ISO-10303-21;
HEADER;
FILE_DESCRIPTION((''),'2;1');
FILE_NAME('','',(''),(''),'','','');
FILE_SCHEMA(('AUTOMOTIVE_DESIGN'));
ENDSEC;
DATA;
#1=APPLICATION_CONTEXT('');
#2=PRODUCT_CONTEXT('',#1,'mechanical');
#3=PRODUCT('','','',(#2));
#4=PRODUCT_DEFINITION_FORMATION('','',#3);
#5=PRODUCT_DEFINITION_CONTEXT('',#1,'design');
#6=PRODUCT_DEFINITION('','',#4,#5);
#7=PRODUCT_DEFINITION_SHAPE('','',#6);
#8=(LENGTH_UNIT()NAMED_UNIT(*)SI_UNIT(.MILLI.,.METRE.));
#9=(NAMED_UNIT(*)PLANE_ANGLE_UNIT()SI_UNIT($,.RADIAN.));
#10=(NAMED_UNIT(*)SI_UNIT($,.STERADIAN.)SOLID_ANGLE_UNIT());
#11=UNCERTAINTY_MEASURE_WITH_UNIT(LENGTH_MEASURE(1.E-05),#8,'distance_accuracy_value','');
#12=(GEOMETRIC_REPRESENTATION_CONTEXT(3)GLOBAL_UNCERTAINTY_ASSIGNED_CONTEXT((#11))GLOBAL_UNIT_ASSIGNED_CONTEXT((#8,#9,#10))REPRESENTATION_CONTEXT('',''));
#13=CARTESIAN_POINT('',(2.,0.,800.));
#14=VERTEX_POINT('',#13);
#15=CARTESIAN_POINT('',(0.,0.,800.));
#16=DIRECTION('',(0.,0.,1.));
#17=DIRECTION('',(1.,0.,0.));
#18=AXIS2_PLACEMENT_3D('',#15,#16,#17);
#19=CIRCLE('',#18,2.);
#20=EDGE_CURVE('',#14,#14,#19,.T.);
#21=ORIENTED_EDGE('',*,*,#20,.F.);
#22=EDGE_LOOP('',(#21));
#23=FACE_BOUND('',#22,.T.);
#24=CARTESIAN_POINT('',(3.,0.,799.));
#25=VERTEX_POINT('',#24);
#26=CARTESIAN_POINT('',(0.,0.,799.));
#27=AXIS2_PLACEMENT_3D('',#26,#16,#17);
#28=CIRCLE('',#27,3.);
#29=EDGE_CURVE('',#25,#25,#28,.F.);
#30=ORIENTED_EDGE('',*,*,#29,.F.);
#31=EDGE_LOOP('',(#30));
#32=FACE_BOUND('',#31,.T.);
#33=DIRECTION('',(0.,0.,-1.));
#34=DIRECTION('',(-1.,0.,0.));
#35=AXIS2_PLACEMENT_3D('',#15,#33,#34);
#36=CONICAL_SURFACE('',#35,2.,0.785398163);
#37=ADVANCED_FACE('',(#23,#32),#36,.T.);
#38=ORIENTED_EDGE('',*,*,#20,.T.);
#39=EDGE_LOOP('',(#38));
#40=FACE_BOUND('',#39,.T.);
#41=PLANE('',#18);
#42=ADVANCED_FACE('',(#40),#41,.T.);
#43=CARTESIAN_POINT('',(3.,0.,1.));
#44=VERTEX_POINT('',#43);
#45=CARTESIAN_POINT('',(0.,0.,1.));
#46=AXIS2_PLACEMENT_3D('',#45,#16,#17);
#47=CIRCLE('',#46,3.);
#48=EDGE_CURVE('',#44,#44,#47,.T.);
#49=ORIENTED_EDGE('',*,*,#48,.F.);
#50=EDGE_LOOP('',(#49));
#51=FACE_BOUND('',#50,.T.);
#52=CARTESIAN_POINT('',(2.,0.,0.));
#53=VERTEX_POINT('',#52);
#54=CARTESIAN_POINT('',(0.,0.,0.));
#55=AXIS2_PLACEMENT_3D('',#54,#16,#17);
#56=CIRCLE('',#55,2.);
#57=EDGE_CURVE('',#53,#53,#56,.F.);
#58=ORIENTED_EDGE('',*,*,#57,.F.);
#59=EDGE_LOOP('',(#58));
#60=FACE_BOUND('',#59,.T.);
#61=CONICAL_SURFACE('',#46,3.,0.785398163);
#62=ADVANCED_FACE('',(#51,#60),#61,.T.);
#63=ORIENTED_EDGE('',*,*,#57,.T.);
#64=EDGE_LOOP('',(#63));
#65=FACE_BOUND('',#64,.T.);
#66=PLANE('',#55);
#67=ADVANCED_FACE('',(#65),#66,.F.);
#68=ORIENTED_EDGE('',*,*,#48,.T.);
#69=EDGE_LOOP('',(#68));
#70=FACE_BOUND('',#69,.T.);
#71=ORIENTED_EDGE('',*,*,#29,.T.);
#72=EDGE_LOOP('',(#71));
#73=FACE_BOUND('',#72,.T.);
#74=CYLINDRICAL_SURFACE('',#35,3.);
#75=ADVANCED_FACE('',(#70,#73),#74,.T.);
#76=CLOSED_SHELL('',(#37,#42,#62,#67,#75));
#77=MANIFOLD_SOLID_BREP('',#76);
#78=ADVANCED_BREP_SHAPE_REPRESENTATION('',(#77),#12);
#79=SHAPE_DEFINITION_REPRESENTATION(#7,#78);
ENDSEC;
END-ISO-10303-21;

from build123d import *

# Parameters (mm, degrees)
IZIM1_R                     = 3
Y_KSEKLIK_EKSTR_ZYON1_DEPTH = 800
PAH1_SIZE                   = 1


with BuildPart() as part:
    # Çizim1 → Yükseklik-Ekstrüzyon1 (new body)
    with BuildSketch(Plane.XY):
        Circle(IZIM1_R)
    extrude(amount=Y_KSEKLIK_EKSTR_ZYON1_DEPTH)

    # Pah1
    pah1_edges = [part.edges().sort_by_distance(p)[0] for p in [
        (-3, 0, 0),
        (-3, 0, 800),
    ]]
    chamfer(pah1_edges, length=PAH1_SIZE)


solid = part.part
